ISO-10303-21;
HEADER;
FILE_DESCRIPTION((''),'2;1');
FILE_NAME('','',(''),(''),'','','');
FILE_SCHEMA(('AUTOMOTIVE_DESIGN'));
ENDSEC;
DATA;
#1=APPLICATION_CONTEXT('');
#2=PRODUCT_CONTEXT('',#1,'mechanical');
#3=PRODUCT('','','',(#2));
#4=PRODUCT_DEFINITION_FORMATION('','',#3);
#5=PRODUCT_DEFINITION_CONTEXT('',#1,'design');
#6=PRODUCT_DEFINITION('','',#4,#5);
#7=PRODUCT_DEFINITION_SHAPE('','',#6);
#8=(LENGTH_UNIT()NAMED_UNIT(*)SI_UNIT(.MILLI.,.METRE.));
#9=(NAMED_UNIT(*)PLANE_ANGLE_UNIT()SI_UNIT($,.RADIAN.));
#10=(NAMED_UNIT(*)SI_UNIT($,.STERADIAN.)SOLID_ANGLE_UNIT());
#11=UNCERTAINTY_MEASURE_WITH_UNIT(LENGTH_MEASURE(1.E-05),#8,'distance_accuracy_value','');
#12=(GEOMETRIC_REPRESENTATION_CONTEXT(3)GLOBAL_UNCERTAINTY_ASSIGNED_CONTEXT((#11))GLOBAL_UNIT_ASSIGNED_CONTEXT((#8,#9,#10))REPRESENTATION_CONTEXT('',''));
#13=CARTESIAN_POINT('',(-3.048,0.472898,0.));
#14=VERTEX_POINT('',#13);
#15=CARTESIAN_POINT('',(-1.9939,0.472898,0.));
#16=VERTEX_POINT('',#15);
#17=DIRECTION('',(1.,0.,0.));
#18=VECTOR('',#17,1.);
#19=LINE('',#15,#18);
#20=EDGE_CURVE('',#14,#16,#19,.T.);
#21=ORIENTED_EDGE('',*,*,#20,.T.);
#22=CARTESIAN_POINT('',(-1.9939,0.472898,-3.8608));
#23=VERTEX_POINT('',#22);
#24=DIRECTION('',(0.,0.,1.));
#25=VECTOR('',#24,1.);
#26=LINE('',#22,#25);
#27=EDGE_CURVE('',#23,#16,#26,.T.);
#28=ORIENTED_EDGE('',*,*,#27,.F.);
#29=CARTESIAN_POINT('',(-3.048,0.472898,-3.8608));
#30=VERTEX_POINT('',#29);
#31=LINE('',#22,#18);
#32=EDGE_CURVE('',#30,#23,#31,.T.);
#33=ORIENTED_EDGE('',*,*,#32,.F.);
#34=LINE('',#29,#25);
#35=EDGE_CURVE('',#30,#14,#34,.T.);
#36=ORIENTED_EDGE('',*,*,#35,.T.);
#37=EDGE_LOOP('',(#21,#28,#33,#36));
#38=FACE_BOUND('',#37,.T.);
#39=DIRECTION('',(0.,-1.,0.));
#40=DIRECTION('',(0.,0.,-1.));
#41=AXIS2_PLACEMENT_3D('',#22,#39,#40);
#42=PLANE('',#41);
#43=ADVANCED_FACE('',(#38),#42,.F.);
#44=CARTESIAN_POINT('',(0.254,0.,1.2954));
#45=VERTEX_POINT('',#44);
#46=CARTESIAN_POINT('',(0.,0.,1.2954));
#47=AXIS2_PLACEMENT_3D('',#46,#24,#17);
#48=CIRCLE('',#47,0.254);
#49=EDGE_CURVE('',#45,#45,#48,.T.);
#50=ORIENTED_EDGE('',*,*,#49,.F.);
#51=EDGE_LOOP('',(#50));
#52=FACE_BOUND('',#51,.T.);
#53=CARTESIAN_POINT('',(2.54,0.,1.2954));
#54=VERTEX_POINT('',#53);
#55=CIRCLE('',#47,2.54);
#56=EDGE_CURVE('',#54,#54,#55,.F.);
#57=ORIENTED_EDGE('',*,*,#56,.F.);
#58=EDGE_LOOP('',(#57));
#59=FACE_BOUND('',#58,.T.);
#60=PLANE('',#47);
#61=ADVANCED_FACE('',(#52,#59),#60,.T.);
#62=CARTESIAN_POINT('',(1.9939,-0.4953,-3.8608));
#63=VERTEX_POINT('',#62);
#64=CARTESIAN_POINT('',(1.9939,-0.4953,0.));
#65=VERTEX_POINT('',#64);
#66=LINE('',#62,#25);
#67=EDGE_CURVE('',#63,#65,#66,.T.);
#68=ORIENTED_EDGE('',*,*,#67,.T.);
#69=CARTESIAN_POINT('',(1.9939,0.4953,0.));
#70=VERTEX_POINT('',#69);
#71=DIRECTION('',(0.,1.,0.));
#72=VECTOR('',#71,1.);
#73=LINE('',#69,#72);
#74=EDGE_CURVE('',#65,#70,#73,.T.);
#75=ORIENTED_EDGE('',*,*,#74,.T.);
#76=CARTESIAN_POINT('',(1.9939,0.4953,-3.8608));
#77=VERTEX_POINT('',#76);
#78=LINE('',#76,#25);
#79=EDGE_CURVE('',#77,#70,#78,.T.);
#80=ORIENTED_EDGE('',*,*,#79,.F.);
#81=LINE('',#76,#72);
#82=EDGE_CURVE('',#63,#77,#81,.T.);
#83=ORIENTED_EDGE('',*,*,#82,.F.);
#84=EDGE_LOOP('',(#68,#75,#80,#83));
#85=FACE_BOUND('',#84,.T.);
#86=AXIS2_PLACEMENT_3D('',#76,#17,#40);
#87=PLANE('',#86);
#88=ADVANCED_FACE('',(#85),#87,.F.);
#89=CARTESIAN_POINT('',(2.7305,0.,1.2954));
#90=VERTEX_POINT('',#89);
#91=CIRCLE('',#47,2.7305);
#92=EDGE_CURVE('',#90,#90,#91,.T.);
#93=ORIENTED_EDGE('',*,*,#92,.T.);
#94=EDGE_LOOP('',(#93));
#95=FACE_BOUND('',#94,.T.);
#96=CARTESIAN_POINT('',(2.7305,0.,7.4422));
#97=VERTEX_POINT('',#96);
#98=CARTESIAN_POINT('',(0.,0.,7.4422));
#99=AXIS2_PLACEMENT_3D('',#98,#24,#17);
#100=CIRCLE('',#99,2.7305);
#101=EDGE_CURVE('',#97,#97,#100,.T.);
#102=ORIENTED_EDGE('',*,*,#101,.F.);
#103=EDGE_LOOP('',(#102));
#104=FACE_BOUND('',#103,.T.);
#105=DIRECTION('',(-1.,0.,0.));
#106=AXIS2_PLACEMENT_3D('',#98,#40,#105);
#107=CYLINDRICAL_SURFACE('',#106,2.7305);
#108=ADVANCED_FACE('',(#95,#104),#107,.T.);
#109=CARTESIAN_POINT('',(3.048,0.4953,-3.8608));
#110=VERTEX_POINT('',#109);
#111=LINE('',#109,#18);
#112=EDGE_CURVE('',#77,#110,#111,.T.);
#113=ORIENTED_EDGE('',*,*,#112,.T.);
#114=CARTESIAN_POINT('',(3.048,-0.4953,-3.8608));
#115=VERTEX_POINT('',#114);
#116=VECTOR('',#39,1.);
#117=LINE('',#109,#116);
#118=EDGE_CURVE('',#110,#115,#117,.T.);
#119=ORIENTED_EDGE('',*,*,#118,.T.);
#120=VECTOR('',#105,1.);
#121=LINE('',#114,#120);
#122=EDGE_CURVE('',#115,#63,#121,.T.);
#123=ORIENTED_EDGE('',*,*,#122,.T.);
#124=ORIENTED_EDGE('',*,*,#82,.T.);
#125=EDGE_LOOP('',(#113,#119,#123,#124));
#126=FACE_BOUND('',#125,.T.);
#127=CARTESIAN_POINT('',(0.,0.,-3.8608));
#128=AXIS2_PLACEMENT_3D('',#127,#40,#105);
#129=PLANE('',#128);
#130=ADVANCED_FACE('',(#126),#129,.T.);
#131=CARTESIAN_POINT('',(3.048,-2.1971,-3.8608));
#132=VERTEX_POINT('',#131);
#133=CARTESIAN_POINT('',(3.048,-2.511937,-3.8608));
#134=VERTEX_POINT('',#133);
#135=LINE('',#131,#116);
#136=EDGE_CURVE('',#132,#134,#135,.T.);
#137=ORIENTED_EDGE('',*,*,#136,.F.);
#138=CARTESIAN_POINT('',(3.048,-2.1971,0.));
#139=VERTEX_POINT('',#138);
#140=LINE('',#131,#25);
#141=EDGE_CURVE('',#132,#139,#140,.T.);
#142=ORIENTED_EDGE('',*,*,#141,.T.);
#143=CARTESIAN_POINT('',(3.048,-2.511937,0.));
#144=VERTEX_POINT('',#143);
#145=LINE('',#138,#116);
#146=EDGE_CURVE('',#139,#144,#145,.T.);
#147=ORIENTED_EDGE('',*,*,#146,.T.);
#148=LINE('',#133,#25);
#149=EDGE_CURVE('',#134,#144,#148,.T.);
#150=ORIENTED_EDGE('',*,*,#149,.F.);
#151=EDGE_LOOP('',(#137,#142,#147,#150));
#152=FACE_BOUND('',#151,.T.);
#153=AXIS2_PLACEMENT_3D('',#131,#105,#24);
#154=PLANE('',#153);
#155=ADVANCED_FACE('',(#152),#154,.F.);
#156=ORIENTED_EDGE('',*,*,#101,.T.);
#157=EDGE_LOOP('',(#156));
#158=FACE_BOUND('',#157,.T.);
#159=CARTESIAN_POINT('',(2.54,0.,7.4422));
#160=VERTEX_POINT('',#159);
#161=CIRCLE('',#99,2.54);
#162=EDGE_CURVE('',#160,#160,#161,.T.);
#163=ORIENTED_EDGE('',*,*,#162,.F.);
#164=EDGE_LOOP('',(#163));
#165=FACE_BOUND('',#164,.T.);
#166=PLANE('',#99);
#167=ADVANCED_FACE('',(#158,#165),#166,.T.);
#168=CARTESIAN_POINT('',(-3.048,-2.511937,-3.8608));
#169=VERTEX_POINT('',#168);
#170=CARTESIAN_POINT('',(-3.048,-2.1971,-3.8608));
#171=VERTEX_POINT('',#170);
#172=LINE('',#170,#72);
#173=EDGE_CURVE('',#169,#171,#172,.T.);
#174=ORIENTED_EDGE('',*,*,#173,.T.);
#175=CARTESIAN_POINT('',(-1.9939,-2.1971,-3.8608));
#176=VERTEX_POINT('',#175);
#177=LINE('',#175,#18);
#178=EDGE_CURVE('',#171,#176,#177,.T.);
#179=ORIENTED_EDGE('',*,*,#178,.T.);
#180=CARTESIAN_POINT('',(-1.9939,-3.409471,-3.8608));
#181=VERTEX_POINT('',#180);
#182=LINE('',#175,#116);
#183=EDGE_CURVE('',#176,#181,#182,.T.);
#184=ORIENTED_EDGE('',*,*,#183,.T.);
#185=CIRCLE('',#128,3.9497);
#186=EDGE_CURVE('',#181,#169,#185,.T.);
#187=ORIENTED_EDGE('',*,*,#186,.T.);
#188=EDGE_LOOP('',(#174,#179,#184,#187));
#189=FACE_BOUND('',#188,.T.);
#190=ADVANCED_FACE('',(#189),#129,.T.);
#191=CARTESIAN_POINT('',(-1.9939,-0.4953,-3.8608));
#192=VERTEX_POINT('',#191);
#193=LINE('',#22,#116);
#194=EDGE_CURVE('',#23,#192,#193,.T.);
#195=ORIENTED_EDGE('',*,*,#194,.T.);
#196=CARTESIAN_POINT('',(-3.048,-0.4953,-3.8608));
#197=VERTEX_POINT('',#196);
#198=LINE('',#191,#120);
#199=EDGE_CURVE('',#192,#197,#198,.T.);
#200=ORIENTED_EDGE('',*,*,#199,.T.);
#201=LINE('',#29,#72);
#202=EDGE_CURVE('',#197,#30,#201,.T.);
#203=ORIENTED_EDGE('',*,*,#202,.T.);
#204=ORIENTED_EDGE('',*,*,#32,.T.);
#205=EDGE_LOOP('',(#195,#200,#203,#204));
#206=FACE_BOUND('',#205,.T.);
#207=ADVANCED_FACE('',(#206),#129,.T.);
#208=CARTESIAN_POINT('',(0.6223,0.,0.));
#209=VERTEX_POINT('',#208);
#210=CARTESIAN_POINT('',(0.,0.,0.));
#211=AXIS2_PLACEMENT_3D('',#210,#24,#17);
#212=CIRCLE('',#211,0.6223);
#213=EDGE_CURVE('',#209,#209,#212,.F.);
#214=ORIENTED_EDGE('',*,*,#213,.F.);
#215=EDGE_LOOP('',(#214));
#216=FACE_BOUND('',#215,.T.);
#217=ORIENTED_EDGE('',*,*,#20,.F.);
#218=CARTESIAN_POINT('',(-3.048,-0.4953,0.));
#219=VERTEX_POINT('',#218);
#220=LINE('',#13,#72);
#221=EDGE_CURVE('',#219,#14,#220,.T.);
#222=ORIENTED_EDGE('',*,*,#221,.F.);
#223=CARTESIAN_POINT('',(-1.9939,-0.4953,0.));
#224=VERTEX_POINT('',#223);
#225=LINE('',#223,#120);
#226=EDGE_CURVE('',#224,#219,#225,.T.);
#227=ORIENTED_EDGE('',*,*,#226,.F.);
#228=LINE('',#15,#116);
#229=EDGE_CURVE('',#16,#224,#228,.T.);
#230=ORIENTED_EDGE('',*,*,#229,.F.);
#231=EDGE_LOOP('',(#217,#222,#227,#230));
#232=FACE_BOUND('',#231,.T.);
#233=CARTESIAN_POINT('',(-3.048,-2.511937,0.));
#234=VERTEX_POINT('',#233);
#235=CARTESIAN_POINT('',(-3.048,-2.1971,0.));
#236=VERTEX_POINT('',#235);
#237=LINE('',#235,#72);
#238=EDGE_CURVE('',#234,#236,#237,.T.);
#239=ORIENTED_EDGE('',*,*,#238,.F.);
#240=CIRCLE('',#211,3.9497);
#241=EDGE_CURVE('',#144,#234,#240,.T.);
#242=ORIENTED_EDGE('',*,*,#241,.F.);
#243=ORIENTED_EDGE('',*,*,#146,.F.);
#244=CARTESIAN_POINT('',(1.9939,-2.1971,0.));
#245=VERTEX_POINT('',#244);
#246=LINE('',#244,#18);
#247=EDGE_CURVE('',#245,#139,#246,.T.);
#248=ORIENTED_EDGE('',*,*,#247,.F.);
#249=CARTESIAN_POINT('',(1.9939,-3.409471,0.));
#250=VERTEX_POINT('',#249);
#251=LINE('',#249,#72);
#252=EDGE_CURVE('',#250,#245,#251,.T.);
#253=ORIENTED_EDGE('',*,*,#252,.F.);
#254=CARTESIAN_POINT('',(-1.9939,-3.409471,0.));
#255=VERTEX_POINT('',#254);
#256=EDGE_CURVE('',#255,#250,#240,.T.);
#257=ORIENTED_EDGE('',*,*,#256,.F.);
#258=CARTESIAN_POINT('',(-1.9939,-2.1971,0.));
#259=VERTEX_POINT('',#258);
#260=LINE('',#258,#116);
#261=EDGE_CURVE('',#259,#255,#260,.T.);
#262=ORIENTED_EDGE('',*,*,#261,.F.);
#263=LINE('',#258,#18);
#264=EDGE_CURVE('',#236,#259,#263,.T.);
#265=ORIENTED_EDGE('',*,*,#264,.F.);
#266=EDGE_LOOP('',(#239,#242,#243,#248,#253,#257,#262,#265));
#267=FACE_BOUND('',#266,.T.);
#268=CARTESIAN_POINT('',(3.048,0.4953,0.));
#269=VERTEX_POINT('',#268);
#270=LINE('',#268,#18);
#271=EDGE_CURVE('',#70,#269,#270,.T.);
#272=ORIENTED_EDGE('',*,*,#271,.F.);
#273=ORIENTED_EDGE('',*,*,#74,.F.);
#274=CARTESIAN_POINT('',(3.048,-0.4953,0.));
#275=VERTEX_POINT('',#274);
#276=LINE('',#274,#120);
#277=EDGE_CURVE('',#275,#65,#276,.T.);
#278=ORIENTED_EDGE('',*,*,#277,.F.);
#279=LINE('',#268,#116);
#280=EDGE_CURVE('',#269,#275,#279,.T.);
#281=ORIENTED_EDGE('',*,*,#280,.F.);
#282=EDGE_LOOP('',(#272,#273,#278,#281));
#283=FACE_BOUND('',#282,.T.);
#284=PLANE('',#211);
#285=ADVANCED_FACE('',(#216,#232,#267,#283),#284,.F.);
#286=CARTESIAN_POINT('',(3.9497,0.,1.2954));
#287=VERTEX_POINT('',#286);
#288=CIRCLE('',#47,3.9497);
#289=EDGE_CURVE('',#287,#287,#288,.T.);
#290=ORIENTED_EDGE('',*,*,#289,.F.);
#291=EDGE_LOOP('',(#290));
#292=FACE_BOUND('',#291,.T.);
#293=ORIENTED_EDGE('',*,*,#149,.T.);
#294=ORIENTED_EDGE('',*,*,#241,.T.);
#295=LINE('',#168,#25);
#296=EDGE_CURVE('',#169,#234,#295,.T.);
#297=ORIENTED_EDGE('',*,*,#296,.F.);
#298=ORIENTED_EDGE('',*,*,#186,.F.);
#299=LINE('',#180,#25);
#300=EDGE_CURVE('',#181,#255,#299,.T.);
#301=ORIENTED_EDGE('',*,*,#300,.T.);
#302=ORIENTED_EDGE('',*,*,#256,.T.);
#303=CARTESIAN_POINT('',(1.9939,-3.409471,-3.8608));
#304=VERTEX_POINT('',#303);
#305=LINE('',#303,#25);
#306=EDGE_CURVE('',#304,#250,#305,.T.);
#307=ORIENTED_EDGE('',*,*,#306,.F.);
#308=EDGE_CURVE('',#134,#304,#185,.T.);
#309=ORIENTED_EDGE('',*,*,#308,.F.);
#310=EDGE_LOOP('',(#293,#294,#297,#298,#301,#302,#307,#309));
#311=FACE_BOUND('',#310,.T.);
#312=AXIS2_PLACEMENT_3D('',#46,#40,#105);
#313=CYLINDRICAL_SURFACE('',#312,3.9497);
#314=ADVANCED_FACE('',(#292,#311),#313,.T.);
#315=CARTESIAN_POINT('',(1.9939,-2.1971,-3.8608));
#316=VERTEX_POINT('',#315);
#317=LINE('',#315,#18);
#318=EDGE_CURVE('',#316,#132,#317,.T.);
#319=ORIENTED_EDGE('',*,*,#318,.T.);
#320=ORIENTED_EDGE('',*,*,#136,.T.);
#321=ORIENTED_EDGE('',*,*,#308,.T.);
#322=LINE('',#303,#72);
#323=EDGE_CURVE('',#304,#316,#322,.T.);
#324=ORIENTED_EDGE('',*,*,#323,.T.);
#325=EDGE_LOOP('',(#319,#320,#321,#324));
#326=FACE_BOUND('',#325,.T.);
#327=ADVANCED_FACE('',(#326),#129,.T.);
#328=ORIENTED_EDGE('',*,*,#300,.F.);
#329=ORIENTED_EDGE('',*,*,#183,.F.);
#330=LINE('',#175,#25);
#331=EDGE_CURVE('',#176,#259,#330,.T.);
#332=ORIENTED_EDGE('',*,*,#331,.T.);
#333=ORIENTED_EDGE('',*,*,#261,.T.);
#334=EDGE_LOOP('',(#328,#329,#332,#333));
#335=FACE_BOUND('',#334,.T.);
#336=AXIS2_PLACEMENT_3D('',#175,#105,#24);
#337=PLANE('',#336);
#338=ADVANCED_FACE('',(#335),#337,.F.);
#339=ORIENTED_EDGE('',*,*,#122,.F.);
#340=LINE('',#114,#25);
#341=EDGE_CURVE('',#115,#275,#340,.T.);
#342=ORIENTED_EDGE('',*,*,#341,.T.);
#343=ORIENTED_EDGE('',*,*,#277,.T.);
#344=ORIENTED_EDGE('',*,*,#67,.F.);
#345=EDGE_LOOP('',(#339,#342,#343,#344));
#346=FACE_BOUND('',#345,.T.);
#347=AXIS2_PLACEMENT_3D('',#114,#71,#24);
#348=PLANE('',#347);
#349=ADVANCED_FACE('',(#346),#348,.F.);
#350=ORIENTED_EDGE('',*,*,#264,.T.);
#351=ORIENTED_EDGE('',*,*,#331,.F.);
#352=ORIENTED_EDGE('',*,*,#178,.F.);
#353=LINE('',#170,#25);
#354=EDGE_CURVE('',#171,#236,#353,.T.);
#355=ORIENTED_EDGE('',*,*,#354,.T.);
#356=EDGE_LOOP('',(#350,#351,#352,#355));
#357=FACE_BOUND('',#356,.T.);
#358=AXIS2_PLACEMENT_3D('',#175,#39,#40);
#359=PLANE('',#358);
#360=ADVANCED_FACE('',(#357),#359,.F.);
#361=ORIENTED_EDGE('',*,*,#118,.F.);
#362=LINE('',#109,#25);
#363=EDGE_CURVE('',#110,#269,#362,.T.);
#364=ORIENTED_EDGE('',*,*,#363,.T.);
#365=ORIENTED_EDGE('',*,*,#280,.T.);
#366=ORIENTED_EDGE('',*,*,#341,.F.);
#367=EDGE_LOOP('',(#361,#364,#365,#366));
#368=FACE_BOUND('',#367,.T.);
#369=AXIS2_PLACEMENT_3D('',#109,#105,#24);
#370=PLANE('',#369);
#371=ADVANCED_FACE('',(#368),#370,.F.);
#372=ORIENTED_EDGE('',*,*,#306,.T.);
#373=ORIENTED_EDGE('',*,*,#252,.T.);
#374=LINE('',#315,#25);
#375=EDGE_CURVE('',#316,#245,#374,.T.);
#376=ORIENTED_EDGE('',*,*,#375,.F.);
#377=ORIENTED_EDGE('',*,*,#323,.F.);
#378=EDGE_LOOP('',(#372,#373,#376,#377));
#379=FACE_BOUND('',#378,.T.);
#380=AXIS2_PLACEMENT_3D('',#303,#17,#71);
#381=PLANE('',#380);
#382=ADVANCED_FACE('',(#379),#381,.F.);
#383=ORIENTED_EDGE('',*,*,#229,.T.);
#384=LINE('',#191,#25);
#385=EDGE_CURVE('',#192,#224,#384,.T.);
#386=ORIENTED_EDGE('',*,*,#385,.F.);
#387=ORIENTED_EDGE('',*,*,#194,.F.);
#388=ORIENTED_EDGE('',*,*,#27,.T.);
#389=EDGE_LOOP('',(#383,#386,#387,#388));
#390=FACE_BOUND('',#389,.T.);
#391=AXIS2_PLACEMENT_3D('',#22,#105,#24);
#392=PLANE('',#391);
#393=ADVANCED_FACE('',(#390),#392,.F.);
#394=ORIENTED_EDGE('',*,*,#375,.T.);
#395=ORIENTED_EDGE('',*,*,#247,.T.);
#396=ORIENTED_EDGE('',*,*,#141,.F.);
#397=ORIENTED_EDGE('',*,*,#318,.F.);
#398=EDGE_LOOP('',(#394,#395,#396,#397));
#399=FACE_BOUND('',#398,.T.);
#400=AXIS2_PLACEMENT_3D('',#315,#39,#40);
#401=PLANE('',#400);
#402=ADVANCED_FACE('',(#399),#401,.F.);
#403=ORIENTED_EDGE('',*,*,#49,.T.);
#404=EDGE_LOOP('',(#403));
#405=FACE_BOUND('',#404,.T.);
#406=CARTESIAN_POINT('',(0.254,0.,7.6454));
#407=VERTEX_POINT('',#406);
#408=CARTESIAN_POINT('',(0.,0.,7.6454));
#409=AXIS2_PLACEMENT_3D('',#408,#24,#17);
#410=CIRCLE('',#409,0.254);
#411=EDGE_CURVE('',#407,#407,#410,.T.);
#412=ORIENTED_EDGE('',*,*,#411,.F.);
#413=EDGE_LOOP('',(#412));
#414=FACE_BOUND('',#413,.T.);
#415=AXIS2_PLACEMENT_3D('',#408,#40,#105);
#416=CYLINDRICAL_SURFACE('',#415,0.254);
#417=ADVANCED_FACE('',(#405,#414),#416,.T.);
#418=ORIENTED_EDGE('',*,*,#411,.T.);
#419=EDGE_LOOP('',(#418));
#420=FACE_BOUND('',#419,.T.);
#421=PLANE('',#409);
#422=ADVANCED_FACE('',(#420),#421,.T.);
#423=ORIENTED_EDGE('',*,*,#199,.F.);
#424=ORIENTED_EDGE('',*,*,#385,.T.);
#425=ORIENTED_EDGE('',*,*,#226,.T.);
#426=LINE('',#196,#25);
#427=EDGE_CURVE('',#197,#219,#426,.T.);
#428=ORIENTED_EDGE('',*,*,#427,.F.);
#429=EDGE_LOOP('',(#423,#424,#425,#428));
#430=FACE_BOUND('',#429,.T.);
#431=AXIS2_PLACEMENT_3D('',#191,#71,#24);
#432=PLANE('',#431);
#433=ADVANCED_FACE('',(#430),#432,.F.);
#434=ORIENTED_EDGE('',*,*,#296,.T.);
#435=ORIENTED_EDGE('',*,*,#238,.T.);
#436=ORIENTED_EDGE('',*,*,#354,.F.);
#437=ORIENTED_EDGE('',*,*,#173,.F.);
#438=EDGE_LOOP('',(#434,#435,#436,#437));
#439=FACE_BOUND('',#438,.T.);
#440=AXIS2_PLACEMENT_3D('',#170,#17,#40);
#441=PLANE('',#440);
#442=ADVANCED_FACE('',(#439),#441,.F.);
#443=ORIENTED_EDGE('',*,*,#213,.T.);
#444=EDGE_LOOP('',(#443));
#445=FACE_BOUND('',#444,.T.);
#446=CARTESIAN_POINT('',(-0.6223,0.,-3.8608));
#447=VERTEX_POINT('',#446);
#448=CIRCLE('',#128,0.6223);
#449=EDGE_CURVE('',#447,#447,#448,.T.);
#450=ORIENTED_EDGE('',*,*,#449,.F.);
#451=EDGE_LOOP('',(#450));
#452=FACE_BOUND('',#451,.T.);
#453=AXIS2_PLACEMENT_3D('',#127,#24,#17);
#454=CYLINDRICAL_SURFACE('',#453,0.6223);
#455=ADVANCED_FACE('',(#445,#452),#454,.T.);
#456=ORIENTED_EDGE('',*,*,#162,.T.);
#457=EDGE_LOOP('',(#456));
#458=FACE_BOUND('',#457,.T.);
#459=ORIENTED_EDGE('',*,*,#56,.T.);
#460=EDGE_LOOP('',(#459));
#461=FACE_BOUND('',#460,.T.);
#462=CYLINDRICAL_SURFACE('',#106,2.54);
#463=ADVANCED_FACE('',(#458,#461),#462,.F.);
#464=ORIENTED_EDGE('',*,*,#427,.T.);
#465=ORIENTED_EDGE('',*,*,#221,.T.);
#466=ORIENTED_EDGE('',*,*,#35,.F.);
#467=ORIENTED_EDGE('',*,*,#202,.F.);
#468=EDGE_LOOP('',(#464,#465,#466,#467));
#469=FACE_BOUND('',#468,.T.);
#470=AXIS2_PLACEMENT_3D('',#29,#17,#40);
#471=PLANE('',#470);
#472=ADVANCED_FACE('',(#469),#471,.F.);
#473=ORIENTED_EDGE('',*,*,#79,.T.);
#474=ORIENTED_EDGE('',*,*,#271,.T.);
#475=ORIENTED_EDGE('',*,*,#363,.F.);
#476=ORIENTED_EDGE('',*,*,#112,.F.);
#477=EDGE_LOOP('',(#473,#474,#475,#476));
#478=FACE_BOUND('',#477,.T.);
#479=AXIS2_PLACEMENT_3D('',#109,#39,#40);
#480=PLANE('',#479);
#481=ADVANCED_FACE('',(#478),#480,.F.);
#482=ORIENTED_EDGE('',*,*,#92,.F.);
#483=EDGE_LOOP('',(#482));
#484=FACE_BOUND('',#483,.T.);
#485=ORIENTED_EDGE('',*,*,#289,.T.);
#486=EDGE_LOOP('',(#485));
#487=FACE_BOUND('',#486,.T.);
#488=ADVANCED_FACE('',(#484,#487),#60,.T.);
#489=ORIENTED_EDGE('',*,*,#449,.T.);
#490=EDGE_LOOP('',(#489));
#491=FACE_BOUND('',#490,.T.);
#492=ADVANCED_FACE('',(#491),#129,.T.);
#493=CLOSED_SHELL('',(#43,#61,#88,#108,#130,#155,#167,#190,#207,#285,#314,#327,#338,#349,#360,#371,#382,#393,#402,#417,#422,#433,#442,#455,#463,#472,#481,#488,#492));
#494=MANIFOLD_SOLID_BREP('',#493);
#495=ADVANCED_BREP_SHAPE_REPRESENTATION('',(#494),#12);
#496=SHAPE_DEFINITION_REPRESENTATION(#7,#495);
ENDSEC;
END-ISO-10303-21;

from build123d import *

# Parameters (mm, degrees)
SKETCH1_R           = 3.9497
BOSS_EXTRUDE1_DEPTH = 1.2954
SKETCH2_R           = 2.7305
SKETCH2_R_2         = 2.54
BOSS_EXTRUDE2_DEPTH = 6.1468
BOSS_EXTRUDE3_START = 3.8608
SKETCH3_W           = 1.0541
SKETCH3_H           = 0.968198064
SKETCH3_H_2         = 0.9906
BOSS_EXTRUDE3_DEPTH = 3.8608
SKETCH4_R           = 0.6223
BOSS_EXTRUDE4_DEPTH = 3.8608
SKETCH5_R           = 0.254
BOSS_EXTRUDE5_DEPTH = 6.35


with BuildPart() as part:
    # Sketch1 → Boss-Extrude1 (new body)
    with BuildSketch(Plane.XY):
        Circle(SKETCH1_R)
    extrude(amount=BOSS_EXTRUDE1_DEPTH)

    # Sketch2 → Boss-Extrude2 (add)
    with BuildSketch(Plane.XY.offset(1.2954)):
        Circle(SKETCH2_R)
        Circle(SKETCH2_R_2, mode=Mode.SUBTRACT)
    extrude(amount=BOSS_EXTRUDE2_DEPTH)

    # Sketch3 → Boss-Extrude3 (add)
    with BuildSketch(Plane(origin=(0, 0, 0), x_dir=(-1, 0, 0), z_dir=(0, 0, -1)).offset(BOSS_EXTRUDE3_START)):
        with Locations((2.52095, -0.011200968)):
            Rectangle(SKETCH3_W, SKETCH3_H)
        with Locations((-2.52095, 0)):
            Rectangle(SKETCH3_W, SKETCH3_H_2)
        with BuildLine():
            Line((-1.9939, -3.409471056), (-1.9939, -2.1971))
            Line((-1.9939, -2.1971), (-3.048, -2.1971))
            Line((-3.048, -2.1971), (-3.048, -2.511936721))
            ThreePointArc((-3.048, -2.511936721), (-2.560582136, -3.007249444), (-1.9939, -3.409471056))
        make_face()
        with BuildLine():
            Line((1.9939, -2.1971), (3.048, -2.1971))
            Line((3.048, -2.1971), (3.048, -2.511936721))
            ThreePointArc((3.048, -2.511936721), (2.560582136, -3.007249444), (1.9939, -3.409471056))
            Line((1.9939, -3.409471056), (1.9939, -2.1971))
        make_face()
    extrude(amount=-BOSS_EXTRUDE3_DEPTH)

    # Sketch4 → Boss-Extrude4 (add)
    with BuildSketch(Plane(origin=(0, 0, 0), x_dir=(-1, 0, 0), z_dir=(0, 0, -1))):
        with Locations(Location((0, 0, 0), (0, 0, 180))):
            Circle(SKETCH4_R)
    extrude(amount=BOSS_EXTRUDE4_DEPTH)

    # Sketch5 → Boss-Extrude5 (add)
    with BuildSketch(Plane.XY.offset(1.2954)):
        Circle(SKETCH5_R)
    extrude(amount=BOSS_EXTRUDE5_DEPTH)


solid = part.part
